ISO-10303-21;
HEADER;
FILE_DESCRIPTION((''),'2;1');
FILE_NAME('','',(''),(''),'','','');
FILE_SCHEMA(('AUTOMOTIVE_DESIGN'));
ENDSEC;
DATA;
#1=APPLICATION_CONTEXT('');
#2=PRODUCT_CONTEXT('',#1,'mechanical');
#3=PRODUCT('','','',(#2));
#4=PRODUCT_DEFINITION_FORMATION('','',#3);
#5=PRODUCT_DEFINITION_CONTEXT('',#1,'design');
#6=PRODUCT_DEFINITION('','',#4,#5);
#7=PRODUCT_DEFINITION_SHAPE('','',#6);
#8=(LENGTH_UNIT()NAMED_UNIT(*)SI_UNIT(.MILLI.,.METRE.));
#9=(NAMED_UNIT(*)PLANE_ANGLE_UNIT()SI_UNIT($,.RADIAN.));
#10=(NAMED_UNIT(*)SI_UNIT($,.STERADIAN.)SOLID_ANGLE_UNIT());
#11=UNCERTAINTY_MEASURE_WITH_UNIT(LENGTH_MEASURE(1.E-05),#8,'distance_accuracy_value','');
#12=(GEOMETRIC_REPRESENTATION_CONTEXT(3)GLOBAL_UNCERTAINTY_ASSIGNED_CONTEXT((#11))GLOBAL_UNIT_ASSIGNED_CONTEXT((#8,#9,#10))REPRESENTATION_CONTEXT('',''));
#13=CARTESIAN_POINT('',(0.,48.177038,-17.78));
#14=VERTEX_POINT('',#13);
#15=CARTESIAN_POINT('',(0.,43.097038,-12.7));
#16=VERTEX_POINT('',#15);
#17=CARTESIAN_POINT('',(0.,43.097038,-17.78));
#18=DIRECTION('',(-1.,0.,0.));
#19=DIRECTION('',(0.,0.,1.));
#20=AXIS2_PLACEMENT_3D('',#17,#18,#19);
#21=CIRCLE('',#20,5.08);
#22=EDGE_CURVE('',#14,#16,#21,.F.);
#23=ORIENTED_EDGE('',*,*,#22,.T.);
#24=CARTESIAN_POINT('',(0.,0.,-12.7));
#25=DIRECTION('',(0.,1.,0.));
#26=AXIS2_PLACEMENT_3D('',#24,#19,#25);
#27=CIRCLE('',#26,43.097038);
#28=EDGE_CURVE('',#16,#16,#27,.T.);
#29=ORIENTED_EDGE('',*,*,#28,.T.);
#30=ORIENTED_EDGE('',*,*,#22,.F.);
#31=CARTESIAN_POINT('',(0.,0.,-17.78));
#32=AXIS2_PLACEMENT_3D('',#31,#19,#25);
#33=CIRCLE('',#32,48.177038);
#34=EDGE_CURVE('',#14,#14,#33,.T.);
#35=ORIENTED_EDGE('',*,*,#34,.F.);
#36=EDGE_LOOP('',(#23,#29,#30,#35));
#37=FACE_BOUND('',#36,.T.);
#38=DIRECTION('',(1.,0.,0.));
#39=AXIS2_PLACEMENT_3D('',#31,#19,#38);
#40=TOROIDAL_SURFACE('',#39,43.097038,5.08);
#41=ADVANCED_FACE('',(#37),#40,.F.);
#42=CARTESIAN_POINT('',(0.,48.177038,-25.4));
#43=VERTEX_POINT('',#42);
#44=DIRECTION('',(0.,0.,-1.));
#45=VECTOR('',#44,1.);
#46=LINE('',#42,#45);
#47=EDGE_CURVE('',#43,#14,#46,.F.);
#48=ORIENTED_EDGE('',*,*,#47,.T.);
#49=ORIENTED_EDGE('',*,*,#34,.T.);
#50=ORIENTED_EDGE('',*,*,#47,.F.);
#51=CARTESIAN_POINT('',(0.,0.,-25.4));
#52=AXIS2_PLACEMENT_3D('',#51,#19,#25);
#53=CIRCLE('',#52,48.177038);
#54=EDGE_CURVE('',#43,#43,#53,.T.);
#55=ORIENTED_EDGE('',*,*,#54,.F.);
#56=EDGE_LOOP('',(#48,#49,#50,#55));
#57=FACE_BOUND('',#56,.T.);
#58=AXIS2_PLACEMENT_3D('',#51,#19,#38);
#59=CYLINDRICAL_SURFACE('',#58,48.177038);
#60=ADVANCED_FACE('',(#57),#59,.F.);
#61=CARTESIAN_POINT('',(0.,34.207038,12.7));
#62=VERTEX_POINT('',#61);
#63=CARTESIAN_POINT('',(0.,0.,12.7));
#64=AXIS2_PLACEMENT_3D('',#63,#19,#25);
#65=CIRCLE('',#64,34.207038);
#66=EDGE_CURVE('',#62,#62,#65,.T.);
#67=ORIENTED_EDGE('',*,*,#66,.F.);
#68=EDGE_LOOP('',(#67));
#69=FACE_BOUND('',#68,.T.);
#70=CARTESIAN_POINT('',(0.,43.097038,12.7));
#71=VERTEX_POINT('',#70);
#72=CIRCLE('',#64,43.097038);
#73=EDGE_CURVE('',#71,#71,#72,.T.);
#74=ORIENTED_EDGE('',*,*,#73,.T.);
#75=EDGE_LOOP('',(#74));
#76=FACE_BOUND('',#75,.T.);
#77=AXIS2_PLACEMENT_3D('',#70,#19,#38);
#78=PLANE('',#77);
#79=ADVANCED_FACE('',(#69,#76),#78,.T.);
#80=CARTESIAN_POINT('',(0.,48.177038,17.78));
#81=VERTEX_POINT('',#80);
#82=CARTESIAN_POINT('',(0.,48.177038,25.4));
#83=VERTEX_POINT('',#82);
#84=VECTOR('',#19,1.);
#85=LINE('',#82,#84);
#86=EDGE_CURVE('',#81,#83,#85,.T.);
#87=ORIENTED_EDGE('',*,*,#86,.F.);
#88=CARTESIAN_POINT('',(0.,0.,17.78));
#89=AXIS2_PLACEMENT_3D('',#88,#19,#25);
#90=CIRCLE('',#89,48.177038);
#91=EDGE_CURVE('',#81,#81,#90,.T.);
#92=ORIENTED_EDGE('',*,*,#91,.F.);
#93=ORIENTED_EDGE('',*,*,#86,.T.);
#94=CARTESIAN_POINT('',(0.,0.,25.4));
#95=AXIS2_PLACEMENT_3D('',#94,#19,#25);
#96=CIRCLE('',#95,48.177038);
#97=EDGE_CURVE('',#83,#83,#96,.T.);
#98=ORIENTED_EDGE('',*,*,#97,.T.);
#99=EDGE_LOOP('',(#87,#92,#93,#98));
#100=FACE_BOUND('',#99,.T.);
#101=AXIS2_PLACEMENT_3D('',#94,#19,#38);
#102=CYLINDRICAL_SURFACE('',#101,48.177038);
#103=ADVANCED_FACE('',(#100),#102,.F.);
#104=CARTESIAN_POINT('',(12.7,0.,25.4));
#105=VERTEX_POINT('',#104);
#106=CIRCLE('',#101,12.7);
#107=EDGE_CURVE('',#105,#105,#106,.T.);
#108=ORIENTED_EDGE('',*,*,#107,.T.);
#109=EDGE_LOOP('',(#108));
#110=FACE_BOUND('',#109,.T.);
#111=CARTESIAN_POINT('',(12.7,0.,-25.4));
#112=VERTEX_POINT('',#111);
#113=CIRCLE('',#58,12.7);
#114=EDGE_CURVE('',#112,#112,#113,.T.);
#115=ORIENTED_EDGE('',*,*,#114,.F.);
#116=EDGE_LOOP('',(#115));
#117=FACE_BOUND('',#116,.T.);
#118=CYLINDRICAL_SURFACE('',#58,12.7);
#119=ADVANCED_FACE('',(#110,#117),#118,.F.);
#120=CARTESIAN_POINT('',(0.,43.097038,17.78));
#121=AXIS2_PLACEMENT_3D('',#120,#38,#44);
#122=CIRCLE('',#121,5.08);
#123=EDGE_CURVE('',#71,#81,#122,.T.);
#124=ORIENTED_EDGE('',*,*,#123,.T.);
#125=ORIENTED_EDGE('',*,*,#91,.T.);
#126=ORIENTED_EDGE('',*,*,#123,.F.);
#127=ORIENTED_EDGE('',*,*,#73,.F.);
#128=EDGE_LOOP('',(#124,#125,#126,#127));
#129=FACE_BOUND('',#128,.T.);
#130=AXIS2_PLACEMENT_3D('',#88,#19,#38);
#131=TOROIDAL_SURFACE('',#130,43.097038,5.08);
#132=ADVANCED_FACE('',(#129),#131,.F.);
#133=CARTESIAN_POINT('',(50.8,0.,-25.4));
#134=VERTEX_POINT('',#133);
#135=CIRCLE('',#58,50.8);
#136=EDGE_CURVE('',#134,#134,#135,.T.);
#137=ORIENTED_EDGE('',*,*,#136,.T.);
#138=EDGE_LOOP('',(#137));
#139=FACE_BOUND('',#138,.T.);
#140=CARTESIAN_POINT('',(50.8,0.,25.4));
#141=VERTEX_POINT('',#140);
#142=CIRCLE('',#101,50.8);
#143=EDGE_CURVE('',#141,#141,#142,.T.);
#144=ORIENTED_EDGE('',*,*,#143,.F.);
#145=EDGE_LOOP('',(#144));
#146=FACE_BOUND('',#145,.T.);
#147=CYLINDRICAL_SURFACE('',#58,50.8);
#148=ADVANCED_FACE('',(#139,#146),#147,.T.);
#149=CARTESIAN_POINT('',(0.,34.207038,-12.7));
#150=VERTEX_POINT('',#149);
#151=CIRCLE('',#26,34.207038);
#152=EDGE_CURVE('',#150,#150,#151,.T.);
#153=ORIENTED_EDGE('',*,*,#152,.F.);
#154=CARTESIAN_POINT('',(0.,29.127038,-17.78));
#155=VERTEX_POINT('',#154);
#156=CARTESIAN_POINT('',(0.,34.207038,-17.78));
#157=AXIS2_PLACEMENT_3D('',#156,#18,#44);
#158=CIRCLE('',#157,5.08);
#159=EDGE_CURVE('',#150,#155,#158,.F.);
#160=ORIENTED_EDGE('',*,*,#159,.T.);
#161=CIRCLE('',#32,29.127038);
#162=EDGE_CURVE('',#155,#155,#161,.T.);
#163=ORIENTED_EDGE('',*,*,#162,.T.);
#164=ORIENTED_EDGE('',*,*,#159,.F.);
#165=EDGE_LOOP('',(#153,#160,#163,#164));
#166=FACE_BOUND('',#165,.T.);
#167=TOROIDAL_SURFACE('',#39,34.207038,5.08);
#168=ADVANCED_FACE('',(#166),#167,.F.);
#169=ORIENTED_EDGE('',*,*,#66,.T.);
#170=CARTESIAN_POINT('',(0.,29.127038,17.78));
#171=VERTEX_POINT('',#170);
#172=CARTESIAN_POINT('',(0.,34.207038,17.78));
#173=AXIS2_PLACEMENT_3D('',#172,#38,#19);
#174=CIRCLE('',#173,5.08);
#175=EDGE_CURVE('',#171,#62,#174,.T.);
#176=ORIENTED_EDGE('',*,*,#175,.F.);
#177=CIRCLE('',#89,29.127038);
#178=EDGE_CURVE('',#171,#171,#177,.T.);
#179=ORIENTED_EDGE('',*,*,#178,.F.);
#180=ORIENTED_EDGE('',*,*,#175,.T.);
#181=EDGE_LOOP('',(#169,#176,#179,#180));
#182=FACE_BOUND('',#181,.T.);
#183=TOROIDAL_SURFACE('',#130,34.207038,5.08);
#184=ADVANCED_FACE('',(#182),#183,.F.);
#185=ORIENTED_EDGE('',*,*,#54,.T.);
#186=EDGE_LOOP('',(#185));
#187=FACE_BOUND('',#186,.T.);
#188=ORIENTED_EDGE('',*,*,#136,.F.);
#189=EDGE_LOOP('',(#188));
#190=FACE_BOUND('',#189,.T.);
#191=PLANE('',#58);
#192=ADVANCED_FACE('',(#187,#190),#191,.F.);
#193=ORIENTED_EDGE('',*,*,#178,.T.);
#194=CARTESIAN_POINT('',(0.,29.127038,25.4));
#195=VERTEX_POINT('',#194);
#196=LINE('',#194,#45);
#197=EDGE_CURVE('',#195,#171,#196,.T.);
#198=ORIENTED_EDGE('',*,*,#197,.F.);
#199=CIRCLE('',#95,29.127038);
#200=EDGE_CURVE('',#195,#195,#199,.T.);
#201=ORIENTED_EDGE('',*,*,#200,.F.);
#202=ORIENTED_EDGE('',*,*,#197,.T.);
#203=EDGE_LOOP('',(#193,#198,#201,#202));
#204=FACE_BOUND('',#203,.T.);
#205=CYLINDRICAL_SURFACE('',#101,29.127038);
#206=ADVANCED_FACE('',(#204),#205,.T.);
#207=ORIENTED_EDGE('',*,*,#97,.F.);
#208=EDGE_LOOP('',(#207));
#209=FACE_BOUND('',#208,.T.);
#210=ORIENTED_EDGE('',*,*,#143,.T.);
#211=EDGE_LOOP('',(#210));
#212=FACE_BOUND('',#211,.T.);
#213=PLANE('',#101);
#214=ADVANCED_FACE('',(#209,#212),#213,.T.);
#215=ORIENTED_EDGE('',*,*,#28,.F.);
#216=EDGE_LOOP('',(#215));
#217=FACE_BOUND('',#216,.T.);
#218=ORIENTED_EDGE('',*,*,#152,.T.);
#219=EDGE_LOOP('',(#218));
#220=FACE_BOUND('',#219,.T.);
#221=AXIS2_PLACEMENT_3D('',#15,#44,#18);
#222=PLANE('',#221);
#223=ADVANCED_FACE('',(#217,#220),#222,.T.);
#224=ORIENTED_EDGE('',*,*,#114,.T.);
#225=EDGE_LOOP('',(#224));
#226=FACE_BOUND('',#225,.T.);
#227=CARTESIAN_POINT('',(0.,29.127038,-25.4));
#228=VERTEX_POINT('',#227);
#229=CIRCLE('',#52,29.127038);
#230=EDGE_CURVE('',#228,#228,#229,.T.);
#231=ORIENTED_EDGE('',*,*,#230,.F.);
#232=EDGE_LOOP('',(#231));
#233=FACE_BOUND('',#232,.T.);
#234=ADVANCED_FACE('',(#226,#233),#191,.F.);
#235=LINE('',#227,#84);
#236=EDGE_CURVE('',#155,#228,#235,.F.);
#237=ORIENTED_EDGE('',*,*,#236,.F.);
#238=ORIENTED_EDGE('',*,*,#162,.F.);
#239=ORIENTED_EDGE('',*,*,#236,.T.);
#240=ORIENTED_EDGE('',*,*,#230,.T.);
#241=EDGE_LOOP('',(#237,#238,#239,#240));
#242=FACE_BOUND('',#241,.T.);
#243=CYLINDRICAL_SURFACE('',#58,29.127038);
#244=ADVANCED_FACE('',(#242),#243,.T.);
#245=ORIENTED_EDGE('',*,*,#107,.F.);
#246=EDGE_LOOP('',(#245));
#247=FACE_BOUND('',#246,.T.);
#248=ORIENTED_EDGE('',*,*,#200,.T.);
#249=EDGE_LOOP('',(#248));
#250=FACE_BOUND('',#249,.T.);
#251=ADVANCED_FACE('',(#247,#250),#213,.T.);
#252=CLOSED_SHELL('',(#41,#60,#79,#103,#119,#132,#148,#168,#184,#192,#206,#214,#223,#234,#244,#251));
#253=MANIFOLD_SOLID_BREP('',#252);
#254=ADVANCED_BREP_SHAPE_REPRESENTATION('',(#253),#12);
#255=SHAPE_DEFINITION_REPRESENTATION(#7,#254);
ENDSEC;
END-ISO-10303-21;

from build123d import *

# Parameters (mm, degrees)
BOSS_EXTRUDE1_DEPTH      = 25.4
BOSS_EXTRUDE1_DEPTH_BACK = 25.4
SKETCH1_R                = 50.8
SKETCH3_R                = 12.7
CUT_EXTRUDE2_DEPTH       = 88.988181024


with BuildPart() as part:
    # Sketch1 → Boss-Extrude1 (new, two sides: drawn at the far end of the back side and taken through both)
    with BuildSketch(Plane.XY.offset(-BOSS_EXTRUDE1_DEPTH_BACK)):
        Circle(SKETCH1_R)
    extrude(amount=BOSS_EXTRUDE1_DEPTH + BOSS_EXTRUDE1_DEPTH_BACK)

    # Sketch3 → Cut-Extrude2 (cut, through all)
    with BuildSketch(Plane.XY.offset(25.4)):
        Circle(SKETCH3_R)
    extrude(amount=-CUT_EXTRUDE2_DEPTH, mode=Mode.SUBTRACT)

    # Cut-Sweep1: sweep along a path in Sketch4
    with BuildLine(Plane.XY.offset(25.4)) as cut_sweep1_path:
        CenterArc((0, 0), 38.1, 0, 360)
    # Sketch7 → Cut-Sweep1 (sweep, cut)
    with BuildSketch(Plane(origin=(0, 0, 0), x_dir=(0, 0, -1), z_dir=(1, 0, 0))):
        with BuildLine():
            Line((-25.4, 48.177038495), (-17.78, 48.177038495))
            ThreePointArc((-17.78, 48.177038495), (-14.187897552, 46.689140943), (-12.7, 43.097038495))
            Line((-12.7, 43.097038495), (-12.7, 34.207038495))
            ThreePointArc((-12.7, 34.207038495), (-14.187897552, 30.614936046), (-17.78, 29.127038495))
            Line((-17.78, 29.127038495), (-25.4, 29.127038495))
            Line((-25.4, 29.127038495), (-25.4, 48.177038495))
        make_face()
    cut_sweep1 = sweep(path=cut_sweep1_path.line, mode=Mode.SUBTRACT)

    # Mirror1: Cut-Sweep1 across plane
    add(cut_sweep1.mirror(Plane.XY), mode=Mode.SUBTRACT)


solid = part.part
